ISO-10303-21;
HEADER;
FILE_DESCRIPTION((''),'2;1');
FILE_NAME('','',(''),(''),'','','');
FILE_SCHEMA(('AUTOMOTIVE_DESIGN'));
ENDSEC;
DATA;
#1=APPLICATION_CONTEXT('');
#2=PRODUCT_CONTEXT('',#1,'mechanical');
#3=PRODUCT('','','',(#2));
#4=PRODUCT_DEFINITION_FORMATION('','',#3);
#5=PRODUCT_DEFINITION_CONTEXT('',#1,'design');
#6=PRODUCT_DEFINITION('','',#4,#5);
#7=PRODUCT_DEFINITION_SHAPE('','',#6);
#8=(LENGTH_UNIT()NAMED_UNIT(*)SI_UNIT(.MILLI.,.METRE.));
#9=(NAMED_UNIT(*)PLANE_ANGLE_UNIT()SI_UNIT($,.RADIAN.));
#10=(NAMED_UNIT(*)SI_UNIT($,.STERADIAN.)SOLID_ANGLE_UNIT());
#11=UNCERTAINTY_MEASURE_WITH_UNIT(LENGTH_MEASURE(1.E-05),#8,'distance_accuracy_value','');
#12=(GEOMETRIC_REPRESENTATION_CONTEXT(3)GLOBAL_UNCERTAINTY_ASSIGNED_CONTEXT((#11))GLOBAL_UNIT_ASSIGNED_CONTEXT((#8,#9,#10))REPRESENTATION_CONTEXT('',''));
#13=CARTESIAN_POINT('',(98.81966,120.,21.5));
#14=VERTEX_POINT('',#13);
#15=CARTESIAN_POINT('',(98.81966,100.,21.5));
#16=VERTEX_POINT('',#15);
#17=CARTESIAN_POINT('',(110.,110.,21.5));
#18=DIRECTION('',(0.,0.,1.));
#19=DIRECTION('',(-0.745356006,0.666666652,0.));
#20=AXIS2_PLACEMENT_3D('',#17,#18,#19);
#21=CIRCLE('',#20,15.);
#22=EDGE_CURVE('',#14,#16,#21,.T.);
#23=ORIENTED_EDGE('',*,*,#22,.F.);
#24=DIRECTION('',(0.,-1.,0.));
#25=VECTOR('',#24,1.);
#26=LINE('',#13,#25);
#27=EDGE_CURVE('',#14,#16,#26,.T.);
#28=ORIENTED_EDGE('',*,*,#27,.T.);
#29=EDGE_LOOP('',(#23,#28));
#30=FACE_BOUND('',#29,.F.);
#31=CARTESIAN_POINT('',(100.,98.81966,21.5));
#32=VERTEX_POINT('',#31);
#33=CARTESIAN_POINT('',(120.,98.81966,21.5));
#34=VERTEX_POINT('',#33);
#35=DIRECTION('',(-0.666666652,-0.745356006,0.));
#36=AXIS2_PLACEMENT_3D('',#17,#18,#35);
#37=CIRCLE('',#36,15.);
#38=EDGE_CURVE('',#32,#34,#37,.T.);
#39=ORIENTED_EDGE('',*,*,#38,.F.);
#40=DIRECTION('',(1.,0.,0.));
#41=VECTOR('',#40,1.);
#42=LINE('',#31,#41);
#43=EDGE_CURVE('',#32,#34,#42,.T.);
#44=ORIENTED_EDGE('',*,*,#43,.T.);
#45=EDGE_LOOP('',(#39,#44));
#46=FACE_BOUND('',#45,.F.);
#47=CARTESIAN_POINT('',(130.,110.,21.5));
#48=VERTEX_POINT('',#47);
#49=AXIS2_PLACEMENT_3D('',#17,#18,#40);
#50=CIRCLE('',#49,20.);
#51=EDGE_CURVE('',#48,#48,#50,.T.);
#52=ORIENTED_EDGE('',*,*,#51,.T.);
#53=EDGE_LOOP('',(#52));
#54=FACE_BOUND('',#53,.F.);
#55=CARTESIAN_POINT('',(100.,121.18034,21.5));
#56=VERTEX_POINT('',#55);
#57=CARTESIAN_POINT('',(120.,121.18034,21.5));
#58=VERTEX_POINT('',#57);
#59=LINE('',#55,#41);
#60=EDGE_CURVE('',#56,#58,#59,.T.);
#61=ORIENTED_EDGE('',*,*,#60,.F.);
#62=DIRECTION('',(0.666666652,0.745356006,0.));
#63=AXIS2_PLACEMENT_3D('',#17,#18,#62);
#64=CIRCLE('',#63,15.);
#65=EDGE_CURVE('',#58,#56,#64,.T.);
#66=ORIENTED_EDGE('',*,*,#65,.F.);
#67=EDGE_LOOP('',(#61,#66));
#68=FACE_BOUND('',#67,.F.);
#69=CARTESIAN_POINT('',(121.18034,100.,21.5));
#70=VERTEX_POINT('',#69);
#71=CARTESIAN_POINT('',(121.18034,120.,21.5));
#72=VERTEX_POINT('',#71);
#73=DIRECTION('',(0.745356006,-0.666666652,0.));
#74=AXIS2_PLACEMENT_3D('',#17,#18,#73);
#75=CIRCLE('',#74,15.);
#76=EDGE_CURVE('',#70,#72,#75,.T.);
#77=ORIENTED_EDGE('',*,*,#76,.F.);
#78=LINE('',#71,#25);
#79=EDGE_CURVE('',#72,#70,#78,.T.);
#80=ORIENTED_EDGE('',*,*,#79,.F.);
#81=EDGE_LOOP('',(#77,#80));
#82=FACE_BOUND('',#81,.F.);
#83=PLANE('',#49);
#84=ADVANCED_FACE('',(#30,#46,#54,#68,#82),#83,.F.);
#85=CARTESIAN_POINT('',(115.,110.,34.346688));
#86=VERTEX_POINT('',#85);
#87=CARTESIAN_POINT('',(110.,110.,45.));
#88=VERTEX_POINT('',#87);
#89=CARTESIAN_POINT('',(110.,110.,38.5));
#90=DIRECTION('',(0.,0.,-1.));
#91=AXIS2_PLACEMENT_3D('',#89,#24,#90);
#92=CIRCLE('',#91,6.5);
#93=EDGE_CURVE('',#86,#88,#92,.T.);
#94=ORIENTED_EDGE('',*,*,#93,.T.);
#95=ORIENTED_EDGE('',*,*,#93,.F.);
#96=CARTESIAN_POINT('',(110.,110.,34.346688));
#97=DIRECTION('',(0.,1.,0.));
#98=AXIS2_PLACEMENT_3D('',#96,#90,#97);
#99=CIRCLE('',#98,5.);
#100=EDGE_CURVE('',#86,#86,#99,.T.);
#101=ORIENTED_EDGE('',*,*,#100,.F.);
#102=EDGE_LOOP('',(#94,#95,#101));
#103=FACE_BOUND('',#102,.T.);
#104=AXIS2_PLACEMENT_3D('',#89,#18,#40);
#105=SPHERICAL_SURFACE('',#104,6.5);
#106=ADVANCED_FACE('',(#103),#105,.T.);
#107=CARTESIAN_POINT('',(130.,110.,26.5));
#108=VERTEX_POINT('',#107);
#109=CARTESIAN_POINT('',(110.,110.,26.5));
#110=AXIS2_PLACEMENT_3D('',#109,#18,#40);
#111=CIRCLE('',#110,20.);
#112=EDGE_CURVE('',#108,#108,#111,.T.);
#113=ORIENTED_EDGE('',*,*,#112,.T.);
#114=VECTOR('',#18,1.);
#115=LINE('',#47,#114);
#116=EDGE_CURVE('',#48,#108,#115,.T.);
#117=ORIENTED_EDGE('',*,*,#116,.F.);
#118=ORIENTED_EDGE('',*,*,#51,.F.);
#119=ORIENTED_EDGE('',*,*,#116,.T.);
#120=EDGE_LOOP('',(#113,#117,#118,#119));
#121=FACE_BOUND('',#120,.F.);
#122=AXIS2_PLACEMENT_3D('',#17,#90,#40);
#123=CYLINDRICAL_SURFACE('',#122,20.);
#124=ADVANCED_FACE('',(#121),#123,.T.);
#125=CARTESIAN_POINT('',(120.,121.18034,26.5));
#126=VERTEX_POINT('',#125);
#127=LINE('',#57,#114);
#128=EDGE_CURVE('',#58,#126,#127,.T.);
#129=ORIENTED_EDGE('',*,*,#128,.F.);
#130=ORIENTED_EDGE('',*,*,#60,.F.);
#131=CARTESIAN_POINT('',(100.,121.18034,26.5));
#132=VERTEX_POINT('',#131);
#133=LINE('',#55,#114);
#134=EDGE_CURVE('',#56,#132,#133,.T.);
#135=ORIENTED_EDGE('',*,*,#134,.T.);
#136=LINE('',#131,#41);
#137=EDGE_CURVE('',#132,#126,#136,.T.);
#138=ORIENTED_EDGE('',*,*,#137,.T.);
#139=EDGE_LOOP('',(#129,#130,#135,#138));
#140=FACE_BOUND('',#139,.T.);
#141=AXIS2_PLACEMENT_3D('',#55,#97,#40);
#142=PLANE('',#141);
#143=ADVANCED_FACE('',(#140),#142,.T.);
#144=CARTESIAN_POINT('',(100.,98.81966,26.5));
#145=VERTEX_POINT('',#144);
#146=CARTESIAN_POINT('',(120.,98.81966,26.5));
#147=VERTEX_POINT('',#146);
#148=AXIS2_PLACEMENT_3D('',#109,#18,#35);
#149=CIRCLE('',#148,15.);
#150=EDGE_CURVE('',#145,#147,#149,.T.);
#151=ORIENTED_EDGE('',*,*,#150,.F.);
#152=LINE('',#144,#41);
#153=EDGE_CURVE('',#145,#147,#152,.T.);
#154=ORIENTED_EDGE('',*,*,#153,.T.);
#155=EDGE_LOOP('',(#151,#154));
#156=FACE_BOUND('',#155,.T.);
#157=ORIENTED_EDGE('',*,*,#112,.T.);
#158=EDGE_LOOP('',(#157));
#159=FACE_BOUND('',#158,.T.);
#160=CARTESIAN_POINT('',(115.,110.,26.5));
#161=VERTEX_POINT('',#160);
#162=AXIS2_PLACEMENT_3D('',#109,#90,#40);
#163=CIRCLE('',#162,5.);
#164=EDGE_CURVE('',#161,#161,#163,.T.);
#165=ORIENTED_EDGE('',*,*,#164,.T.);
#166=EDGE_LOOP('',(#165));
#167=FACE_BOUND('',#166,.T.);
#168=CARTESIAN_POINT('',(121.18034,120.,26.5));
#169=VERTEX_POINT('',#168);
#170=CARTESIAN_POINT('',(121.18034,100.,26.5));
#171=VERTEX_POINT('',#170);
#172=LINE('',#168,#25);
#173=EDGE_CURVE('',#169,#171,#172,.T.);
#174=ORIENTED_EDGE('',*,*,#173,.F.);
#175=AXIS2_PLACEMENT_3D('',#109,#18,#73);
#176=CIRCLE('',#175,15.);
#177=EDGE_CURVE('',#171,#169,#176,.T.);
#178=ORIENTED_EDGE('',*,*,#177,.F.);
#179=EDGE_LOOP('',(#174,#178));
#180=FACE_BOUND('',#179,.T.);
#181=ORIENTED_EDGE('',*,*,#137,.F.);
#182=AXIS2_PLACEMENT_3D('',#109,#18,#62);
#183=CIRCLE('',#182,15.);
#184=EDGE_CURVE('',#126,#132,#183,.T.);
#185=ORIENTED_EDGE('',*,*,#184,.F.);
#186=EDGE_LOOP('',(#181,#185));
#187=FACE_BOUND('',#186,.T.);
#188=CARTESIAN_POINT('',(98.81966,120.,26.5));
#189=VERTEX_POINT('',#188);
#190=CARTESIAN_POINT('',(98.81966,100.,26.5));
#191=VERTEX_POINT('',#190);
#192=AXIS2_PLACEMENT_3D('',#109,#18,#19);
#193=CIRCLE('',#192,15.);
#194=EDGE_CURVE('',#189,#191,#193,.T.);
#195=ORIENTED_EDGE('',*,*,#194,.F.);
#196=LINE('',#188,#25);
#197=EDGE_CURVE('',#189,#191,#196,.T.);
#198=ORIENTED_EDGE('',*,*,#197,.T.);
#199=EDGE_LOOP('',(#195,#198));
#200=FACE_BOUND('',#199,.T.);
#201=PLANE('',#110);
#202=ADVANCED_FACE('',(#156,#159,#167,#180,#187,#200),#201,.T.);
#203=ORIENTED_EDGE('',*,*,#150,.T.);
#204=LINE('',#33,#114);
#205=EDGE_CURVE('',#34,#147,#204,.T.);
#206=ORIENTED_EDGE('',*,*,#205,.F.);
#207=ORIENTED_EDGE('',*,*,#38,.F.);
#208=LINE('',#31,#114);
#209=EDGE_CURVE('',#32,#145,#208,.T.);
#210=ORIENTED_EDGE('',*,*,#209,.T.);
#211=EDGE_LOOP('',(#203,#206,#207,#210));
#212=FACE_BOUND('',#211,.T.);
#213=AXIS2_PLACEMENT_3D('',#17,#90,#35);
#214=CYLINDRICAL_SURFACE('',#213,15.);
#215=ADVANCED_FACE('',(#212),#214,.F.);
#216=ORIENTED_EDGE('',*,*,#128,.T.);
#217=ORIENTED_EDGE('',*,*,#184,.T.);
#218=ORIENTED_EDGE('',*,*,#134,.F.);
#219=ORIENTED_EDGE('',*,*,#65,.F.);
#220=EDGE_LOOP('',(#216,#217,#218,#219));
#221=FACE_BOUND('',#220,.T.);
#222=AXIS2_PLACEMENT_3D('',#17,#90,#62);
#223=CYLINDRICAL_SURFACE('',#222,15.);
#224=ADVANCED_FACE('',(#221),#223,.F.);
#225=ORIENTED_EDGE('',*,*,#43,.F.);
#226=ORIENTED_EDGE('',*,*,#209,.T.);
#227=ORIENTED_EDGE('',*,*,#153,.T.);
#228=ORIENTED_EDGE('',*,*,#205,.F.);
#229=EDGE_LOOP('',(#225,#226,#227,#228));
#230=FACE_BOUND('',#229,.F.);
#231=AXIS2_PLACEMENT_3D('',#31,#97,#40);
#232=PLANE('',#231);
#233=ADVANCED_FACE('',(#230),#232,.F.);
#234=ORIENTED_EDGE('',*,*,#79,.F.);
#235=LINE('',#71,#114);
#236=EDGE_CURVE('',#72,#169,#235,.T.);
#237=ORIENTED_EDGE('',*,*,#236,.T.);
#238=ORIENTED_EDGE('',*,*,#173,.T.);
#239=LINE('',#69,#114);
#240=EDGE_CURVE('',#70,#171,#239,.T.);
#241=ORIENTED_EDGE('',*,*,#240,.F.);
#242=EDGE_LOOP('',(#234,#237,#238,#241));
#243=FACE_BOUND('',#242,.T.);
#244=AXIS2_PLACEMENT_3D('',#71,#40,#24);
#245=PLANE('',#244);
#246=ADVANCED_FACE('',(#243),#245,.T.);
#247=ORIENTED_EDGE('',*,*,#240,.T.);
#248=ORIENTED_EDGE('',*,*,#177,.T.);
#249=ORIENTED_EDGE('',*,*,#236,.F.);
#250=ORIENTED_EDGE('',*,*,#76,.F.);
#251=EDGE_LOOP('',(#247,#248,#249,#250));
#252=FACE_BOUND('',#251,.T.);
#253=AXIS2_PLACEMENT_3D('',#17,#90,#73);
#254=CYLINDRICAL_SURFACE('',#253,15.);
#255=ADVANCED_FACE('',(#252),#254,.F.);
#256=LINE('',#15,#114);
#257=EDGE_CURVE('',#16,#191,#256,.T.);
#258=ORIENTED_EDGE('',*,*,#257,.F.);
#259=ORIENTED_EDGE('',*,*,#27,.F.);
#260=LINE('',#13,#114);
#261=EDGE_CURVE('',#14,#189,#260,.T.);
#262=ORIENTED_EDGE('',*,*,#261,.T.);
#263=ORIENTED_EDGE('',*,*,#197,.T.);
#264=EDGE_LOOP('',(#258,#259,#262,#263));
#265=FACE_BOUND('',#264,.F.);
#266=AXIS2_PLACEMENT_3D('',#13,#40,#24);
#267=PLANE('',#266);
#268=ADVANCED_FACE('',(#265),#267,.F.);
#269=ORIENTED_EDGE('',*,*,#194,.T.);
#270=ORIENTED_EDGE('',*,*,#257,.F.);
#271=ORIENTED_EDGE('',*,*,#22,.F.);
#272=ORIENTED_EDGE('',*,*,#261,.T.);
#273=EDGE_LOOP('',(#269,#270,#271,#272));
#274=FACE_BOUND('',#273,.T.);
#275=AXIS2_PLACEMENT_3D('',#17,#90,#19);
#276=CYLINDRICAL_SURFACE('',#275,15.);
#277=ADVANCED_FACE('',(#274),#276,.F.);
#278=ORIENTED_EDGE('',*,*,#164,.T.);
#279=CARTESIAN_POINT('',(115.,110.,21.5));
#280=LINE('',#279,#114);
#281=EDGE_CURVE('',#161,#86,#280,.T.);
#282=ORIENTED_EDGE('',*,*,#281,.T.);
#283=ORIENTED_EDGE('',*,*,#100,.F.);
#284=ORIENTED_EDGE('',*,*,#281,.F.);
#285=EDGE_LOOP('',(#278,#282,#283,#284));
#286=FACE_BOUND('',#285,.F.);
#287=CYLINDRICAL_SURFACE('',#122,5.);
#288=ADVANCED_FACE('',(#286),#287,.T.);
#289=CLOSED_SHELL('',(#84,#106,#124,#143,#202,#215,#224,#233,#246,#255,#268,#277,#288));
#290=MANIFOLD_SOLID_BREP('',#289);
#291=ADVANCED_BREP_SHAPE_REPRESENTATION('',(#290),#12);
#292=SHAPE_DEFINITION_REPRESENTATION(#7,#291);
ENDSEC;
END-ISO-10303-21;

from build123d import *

# Parameters (mm, degrees)
SKETCH001_R       = 20
PAD001_DEPTH      = 5
CYLINDER012_R     = 5
CYLINDER012_DEPTH = 15


with BuildPart() as pad001:
    # Sketch001 → Pad001 (new body)
    with BuildSketch(Plane.XY):
        Circle(SKETCH001_R)
        with BuildLine():
            ThreePointArc((11.18034, -10), (15, 0), (11.18034, 10))
            Line((11.18034, 10), (11.18034, -10))
        make_face(mode=Mode.SUBTRACT)
        with BuildLine():
            ThreePointArc((-11.18034, 10), (-15, 0), (-11.18034, -10))
            Line((-11.18034, 10), (-11.18034, -10))
        make_face(mode=Mode.SUBTRACT)
        with BuildLine():
            ThreePointArc((10, 11.18034), (0, 15), (-10, 11.18034))
            Line((-10, 11.18034), (10, 11.18034))
        make_face(mode=Mode.SUBTRACT)
        with BuildLine():
            ThreePointArc((-10, -11.18034), (0, -15), (10, -11.18034))
            Line((-10, -11.18034), (10, -11.18034))
        make_face(mode=Mode.SUBTRACT)
    extrude(amount=PAD001_DEPTH)


with BuildPart() as sphere001:
    # Sphere001 → Sphere001 (revolve)
    with BuildSketch(Plane(origin=(0, 0, 17), x_dir=(1, 0, 0), z_dir=(0, -1, 0))):
        with BuildLine():
            ThreePointArc((0, -6.5), (6.5, 0), (0, 6.5))
            Line((0, 6.5), (0, -6.5))
        make_face()
    revolve(axis=Axis((0, 0, 17), (0, 0, 1)))


with BuildPart() as clone_of_piezacirculo001:
    # Cylinder012 → Cylinder012 (new body)
    with BuildSketch(Plane.XY):
        Circle(CYLINDER012_R)
    extrude(amount=CYLINDER012_DEPTH)

    # Fusion018: union Pad001, Sphere001
    add(pad001.part)
    add(sphere001.part)


with BuildPart() as clone_of_piezacirculo001_1:
    # Clone021 placement: moved
    add(clone_of_piezacirculo001.part.moved(Location((110, 110, 21.5))))


solid = clone_of_piezacirculo001_1.part
